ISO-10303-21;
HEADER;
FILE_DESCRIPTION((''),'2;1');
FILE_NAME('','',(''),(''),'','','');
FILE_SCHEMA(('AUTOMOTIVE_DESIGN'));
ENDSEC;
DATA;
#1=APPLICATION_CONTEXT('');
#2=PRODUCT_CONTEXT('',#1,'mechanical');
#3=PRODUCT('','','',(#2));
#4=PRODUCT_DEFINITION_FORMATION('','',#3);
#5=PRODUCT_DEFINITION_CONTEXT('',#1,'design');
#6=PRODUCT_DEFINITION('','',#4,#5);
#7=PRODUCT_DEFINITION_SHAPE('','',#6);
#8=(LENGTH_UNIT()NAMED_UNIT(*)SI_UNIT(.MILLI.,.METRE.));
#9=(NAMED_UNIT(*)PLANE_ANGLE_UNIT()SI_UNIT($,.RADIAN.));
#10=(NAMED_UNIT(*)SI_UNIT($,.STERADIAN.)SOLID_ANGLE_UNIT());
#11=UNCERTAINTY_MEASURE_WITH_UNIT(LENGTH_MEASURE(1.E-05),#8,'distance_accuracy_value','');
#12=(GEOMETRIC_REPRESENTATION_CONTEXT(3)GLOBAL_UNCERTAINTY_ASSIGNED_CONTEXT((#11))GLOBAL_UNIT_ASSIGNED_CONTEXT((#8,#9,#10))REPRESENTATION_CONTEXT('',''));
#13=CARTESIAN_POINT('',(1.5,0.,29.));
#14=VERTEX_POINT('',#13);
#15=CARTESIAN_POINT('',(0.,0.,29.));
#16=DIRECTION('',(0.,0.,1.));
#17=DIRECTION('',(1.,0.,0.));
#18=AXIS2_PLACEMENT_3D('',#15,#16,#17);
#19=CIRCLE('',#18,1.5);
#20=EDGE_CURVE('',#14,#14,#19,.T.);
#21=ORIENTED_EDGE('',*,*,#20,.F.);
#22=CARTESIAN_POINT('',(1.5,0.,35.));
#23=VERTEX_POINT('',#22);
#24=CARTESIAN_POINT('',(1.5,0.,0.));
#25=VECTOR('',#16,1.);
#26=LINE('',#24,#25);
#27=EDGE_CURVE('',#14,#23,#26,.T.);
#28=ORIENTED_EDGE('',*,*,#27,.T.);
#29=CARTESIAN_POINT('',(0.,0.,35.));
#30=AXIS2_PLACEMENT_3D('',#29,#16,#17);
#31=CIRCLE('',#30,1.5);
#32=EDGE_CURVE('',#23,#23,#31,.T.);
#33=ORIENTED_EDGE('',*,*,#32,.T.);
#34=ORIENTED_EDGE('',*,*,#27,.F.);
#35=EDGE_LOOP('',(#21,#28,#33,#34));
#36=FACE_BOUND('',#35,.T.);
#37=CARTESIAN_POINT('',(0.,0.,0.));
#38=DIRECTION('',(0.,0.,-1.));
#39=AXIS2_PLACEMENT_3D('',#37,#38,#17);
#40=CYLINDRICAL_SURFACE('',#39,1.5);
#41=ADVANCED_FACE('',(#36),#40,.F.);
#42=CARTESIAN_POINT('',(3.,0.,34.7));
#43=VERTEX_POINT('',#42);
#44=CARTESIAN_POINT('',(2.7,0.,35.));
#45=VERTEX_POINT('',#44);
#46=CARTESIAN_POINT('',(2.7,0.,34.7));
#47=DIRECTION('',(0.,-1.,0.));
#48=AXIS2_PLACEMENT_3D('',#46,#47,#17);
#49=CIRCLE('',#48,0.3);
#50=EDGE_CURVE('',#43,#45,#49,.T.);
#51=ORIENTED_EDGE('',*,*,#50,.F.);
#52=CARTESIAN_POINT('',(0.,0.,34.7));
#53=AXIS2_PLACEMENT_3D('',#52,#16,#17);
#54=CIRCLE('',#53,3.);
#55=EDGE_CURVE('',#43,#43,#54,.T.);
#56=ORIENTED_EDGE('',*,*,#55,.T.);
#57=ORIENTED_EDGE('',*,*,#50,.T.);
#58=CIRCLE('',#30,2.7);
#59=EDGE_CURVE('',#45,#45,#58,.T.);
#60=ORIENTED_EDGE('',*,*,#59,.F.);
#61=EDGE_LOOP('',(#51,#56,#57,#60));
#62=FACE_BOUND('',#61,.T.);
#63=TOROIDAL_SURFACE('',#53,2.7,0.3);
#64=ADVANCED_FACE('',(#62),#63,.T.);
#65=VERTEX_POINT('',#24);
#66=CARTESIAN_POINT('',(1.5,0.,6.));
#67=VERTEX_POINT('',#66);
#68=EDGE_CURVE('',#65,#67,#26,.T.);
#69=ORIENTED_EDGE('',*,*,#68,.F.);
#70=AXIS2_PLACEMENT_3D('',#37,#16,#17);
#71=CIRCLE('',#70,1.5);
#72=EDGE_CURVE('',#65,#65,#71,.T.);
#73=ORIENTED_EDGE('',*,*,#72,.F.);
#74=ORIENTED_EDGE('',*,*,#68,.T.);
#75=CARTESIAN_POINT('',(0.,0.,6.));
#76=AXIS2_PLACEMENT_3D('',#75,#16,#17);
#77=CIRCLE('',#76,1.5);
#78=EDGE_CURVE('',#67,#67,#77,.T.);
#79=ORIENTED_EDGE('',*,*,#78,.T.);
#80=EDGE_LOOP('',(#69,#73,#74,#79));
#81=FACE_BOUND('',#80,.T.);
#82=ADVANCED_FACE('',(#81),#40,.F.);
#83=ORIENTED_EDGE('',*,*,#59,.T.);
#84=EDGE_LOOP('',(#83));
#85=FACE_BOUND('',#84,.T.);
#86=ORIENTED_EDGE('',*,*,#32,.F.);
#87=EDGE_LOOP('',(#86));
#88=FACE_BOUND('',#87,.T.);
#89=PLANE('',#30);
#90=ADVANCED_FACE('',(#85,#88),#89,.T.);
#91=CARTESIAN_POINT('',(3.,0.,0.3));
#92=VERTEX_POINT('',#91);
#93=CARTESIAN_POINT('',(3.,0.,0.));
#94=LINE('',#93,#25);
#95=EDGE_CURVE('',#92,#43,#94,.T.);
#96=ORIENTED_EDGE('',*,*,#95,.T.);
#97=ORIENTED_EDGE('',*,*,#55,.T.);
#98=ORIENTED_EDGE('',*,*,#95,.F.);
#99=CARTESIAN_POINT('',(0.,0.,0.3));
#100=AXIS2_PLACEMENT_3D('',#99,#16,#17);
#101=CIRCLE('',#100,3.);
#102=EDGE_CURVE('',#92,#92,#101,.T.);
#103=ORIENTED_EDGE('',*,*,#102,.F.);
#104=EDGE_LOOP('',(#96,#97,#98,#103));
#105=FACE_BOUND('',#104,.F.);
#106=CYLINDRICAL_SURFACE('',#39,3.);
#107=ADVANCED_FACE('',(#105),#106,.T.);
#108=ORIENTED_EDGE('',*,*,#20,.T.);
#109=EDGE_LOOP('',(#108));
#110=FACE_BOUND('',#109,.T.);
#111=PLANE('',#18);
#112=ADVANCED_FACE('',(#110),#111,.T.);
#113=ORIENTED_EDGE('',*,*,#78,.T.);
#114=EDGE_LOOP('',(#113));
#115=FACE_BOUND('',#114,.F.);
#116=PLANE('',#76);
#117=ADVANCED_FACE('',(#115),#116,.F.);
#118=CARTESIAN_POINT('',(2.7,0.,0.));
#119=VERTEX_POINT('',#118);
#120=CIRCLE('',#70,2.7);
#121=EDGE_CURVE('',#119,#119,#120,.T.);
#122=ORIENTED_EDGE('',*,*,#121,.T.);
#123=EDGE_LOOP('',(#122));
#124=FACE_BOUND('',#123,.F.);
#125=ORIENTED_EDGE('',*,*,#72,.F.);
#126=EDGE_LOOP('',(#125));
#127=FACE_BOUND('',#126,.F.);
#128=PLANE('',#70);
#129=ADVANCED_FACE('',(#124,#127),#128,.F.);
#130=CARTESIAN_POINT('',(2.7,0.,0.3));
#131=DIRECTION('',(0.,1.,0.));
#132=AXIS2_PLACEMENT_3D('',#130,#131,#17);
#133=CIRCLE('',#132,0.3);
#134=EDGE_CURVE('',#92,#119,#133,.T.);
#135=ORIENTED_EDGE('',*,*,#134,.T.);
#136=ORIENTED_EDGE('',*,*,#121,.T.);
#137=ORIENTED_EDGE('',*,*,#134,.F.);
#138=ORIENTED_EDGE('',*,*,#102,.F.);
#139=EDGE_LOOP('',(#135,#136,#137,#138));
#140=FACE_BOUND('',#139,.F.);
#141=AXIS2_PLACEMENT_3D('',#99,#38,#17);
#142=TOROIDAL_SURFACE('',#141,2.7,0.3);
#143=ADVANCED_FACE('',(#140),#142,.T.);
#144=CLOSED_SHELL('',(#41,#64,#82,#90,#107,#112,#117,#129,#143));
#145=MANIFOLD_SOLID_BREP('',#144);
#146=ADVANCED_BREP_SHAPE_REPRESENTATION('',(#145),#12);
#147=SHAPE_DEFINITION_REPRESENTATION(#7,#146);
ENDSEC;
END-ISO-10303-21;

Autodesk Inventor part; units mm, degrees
ref_plane "YZ Plane" through (0, 0, 0) normal (1, 0, 0) x (0, 1, 0)
ref_plane "XZ Plane" through (0, 0, 0) normal (0, 1, 0) x (-1, 0, 0)
ref_plane "XY Plane" through (0, 0, 0) normal (0, 0, 1) x (1, 0, 0)
sketch "スケッチ1" plane through (0, 0, 0) normal (0, 0, 1) x (1, 0, 0)
  circle A0 centre (0, 0) radius 3
  circle A1 centre (0, 0) radius 1.5
  dimension "d0" = 6
  dimension "d1" = 3
extrude "押し出し1" add sketch "スケッチ1" along normal blind 35
fillet "フィレット1" radius 0.3 2 edges at (-3, 0, 35) (-3, 0, 0)
thread "ねじ1" size "M3x0.5" class "6H" standard "ANSI Metric M Profile" length 100
extrude "押し出し2" add sketch "スケッチ1" along normal blind 29 contours A1
extrude "押し出し3" cut sketch "スケッチ1" along normal blind 6 contours A1
thread "ねじ2" size "M3x0.5" class "6H" standard "ANSI Metric M Profile" full length
properties part number "スペーサーM3L35アルミ" material "アルミニウム 2014-T4"
